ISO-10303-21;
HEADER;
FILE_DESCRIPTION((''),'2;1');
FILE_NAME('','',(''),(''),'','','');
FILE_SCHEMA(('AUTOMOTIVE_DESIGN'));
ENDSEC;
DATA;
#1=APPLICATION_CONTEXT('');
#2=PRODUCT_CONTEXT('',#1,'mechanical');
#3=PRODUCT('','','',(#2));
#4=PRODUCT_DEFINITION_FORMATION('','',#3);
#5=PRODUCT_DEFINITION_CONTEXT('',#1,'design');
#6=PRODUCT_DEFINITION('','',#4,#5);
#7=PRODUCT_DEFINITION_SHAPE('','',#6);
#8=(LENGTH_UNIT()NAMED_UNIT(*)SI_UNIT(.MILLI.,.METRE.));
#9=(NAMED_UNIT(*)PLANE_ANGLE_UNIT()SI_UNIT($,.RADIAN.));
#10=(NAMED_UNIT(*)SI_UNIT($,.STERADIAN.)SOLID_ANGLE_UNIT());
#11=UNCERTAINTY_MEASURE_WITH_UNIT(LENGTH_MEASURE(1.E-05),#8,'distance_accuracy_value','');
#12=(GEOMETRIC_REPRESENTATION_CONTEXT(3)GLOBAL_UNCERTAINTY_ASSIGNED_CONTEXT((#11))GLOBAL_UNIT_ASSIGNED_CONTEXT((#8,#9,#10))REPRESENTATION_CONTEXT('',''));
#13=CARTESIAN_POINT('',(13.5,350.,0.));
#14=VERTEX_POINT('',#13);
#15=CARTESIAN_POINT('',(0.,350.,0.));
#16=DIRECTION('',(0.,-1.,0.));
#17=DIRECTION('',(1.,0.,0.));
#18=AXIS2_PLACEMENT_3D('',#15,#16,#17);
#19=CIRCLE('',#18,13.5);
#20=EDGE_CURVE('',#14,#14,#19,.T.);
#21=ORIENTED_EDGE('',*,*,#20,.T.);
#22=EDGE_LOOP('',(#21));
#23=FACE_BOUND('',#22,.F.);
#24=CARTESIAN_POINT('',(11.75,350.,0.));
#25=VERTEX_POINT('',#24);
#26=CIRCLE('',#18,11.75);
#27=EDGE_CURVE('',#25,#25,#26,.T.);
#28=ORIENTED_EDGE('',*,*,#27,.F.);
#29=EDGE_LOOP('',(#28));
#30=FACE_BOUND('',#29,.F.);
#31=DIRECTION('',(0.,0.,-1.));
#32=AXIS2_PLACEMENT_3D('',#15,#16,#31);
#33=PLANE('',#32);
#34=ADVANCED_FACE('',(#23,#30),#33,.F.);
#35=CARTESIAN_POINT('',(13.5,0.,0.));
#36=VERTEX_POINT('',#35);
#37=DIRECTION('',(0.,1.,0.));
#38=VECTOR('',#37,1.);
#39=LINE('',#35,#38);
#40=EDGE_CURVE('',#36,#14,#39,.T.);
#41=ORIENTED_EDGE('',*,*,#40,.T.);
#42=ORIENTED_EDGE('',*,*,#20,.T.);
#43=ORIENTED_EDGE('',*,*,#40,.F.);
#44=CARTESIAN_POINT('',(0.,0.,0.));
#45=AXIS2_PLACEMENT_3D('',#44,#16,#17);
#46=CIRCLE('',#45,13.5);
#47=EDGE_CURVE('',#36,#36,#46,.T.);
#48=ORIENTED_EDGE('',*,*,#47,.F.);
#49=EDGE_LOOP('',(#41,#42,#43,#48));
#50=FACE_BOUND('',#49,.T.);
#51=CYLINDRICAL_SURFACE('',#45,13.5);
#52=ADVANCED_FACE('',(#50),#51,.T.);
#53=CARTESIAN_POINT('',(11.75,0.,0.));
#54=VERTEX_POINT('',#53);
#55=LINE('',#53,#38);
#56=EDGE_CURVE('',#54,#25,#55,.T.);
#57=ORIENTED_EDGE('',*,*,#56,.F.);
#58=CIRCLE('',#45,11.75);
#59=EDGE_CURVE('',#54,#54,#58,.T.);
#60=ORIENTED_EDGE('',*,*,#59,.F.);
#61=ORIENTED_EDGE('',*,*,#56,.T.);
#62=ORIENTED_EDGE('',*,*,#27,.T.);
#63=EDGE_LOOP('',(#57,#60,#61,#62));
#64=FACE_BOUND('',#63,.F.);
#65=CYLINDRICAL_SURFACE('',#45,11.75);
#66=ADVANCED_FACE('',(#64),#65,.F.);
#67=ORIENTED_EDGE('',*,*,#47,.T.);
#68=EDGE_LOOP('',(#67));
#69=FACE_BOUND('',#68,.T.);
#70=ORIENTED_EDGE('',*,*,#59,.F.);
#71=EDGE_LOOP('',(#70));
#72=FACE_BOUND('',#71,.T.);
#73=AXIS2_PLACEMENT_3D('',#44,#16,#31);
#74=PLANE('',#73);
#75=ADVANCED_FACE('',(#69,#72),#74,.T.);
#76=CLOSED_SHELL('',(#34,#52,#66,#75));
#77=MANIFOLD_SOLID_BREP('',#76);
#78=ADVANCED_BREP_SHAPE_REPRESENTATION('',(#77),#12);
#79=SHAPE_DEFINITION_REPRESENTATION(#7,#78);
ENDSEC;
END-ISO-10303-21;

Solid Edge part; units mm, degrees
sketch "Sketch1" plane through (0, 0, 0) normal (0, -1, 0) x (1, 0, 0)
  circle A0 centre (0, 0) radius 13.5
  circle A1 centre (0, 0) radius 11.75
extrude "Protrusion1" add sketch "Sketch1" against normal blind 350
